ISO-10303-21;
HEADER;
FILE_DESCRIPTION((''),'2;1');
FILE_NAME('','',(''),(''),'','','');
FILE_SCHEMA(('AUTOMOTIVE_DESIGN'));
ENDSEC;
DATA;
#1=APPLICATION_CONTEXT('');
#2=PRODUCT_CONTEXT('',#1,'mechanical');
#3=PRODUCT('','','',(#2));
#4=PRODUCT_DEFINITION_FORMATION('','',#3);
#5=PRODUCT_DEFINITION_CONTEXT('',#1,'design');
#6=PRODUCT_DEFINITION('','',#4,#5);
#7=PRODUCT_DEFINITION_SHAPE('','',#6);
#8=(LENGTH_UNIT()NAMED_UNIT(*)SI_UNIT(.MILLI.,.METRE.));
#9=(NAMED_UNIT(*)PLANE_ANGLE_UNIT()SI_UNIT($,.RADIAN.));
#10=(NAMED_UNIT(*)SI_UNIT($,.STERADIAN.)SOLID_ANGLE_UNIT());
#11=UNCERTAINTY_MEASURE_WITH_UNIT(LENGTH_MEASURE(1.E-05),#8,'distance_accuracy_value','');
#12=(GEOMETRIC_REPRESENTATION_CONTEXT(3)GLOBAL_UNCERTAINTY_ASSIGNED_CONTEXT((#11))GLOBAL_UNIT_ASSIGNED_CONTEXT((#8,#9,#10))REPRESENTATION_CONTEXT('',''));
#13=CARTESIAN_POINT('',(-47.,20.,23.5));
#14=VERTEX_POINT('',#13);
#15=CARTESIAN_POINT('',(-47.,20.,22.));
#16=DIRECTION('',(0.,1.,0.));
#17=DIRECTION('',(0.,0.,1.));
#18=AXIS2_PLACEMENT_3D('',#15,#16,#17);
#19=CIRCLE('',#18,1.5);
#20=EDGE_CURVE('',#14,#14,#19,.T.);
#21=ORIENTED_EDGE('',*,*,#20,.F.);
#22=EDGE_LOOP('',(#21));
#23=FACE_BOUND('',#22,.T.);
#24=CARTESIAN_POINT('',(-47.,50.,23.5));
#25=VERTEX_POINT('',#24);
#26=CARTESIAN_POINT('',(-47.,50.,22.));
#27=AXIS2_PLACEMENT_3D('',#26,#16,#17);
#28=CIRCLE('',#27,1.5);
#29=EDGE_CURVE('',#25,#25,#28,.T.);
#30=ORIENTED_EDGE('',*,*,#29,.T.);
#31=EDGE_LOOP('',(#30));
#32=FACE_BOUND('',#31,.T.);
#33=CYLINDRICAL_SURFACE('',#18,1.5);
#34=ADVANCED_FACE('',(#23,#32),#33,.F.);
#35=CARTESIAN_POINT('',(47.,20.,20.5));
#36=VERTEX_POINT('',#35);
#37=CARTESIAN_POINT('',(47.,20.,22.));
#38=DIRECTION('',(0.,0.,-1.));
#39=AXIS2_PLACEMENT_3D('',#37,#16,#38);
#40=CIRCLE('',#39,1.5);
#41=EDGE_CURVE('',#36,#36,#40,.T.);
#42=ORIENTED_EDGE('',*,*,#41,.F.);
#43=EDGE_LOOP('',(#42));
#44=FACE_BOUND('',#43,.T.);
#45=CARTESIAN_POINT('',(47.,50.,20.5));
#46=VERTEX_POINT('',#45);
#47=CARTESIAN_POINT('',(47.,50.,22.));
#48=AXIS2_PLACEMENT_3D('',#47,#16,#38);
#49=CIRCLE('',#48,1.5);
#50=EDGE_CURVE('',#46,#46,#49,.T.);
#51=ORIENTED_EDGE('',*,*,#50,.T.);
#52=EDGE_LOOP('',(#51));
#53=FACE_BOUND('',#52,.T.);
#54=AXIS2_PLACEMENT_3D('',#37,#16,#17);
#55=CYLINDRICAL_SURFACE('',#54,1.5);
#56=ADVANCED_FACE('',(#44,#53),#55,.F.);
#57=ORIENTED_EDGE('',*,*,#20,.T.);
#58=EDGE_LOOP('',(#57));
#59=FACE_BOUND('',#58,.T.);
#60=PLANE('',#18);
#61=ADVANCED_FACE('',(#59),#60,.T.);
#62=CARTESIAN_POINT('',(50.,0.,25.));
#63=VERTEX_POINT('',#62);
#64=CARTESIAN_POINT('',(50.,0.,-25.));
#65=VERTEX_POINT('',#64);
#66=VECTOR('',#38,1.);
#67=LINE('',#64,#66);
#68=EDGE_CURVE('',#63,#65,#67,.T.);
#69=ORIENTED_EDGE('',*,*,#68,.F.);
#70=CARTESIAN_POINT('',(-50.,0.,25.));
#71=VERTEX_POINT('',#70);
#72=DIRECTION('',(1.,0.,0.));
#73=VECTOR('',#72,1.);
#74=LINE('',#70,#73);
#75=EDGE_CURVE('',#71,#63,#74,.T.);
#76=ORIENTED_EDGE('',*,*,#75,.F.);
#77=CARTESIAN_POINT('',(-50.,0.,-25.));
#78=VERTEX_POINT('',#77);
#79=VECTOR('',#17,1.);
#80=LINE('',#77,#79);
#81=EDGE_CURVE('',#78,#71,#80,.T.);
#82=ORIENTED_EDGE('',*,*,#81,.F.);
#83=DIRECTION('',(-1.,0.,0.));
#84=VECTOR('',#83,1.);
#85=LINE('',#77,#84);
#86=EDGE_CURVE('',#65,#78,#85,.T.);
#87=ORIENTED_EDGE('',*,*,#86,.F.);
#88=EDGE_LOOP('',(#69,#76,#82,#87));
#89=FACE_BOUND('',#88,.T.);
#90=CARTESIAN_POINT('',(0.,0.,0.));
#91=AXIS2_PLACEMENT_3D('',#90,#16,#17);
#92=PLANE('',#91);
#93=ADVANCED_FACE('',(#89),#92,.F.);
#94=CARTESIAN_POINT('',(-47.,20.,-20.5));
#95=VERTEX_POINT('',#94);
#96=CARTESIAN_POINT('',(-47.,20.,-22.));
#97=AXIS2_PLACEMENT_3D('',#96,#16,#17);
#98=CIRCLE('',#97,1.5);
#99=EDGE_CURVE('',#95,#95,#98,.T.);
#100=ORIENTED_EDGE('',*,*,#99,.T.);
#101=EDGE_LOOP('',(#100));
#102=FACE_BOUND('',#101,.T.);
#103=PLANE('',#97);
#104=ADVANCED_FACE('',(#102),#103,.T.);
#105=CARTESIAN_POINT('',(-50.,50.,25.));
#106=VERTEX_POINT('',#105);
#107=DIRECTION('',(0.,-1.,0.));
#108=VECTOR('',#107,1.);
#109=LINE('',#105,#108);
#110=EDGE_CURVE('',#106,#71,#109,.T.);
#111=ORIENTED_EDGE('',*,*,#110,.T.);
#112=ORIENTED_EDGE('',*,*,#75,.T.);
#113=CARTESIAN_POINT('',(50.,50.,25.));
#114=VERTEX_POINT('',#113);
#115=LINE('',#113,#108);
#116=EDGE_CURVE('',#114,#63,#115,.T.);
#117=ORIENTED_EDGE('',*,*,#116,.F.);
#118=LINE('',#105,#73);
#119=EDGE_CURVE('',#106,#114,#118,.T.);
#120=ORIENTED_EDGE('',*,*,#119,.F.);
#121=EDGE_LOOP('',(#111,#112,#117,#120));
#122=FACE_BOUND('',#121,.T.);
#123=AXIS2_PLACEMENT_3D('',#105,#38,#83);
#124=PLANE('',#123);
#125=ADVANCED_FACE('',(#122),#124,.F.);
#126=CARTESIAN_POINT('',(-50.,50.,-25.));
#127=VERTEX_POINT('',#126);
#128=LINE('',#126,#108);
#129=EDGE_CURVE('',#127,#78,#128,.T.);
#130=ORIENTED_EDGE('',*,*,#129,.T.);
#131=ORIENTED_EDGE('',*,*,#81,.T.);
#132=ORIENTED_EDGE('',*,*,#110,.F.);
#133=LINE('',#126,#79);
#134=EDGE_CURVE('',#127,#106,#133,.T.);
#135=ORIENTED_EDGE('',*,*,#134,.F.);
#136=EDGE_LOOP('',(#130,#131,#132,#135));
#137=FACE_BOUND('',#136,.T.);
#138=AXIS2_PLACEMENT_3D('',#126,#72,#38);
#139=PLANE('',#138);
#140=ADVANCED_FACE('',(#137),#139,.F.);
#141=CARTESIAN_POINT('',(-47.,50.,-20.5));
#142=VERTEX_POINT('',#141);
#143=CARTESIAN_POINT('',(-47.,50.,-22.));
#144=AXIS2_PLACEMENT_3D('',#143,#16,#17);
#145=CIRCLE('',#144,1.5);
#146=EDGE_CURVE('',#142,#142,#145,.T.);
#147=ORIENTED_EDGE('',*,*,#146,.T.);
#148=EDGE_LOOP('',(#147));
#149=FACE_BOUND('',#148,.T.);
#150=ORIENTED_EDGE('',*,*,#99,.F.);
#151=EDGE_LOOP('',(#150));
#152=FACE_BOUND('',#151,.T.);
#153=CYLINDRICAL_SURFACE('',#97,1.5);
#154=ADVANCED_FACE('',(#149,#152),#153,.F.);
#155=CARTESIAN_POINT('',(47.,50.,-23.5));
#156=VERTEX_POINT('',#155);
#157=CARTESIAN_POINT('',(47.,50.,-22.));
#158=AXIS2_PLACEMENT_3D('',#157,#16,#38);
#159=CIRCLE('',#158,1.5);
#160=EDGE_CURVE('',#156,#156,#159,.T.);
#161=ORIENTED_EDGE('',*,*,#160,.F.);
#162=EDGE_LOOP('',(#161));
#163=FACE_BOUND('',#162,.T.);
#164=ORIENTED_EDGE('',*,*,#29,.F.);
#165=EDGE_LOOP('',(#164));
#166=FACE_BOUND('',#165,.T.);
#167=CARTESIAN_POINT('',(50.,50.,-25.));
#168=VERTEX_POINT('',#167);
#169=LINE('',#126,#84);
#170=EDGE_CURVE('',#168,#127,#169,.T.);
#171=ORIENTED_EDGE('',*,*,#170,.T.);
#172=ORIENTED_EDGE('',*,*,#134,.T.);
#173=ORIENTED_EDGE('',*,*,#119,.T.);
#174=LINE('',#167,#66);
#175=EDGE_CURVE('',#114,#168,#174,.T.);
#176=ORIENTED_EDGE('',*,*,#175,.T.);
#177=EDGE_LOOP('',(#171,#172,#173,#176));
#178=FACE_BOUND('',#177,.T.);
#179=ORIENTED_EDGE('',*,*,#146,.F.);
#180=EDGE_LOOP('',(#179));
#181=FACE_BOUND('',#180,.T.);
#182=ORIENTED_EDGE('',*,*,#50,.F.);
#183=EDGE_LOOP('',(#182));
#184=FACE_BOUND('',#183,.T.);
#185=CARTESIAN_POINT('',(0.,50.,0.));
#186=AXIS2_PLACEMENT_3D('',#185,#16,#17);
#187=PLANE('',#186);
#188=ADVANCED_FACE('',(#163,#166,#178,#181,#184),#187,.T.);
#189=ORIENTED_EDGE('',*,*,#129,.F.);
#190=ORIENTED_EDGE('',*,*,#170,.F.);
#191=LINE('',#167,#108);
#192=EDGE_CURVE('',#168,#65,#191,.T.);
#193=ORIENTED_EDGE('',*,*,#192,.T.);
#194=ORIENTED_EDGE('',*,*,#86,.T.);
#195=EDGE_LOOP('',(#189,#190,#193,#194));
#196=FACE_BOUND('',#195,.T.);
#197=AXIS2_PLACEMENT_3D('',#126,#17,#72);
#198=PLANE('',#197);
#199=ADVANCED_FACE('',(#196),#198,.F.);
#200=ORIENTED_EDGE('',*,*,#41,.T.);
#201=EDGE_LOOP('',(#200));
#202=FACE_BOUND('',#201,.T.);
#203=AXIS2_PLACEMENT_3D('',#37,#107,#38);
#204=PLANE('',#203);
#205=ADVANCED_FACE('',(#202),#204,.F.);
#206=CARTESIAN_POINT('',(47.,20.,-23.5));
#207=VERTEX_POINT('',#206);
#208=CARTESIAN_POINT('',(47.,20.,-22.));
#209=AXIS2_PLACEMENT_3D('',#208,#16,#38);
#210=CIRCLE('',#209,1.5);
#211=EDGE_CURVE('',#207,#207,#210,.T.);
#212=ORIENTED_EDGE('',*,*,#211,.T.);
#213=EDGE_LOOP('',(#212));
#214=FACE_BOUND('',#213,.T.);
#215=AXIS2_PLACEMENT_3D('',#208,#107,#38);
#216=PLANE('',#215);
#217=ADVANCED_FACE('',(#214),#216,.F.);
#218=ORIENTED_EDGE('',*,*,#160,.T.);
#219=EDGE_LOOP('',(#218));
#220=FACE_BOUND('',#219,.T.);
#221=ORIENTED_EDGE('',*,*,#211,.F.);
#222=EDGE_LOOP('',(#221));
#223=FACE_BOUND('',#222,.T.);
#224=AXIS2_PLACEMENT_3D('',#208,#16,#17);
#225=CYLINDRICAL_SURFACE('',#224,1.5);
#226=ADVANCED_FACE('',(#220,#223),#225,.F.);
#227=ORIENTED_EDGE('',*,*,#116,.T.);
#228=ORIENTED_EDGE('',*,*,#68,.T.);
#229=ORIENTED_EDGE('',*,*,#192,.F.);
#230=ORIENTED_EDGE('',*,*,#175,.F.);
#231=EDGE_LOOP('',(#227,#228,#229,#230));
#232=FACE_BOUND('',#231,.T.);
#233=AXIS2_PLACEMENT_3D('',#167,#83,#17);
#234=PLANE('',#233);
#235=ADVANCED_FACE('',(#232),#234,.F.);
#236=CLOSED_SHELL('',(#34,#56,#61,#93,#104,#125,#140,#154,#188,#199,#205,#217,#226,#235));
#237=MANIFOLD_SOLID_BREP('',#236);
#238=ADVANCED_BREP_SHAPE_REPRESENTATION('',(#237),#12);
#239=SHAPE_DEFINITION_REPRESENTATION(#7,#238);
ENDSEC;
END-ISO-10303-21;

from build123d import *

# Parameters (mm, degrees)
ESQUISSE2_W             = 100
ESQUISSE2_H             = 50
BOSS_EXTRU_1_DEPTH      = 50
ESQUISSE3_R             = 1.5
ENL_V_MAT_EXTRU_1_DEPTH = 30


with BuildPart() as part:
    # Esquisse2 → Boss.-Extru.1 (new body)
    with BuildSketch(Plane(origin=(0, 0, 0), x_dir=(1, 0, 0), z_dir=(0, 1, 0))):
        Rectangle(ESQUISSE2_W, ESQUISSE2_H)
    extrude(amount=BOSS_EXTRU_1_DEPTH)

    # Esquisse3 → Enlèv. mat.-Extru.1 (cut)
    with BuildSketch(Plane(origin=(0, 50, 0), x_dir=(1, 0, 0), z_dir=(0, 1, 0))):
        with Locations(Location((-47, 22, 0), (0, 0, 270))):
            Circle(ESQUISSE3_R)
        with Locations(Location((-47, -22, 0), (0, 0, 270))):
            Circle(ESQUISSE3_R)
        with Locations(Location((47, -22, 0), (0, 0, 90))):
            Circle(ESQUISSE3_R)
        with Locations(Location((47, 22, 0), (0, 0, 90))):
            Circle(ESQUISSE3_R)
    extrude(amount=-ENL_V_MAT_EXTRU_1_DEPTH, mode=Mode.SUBTRACT)


solid = part.part
